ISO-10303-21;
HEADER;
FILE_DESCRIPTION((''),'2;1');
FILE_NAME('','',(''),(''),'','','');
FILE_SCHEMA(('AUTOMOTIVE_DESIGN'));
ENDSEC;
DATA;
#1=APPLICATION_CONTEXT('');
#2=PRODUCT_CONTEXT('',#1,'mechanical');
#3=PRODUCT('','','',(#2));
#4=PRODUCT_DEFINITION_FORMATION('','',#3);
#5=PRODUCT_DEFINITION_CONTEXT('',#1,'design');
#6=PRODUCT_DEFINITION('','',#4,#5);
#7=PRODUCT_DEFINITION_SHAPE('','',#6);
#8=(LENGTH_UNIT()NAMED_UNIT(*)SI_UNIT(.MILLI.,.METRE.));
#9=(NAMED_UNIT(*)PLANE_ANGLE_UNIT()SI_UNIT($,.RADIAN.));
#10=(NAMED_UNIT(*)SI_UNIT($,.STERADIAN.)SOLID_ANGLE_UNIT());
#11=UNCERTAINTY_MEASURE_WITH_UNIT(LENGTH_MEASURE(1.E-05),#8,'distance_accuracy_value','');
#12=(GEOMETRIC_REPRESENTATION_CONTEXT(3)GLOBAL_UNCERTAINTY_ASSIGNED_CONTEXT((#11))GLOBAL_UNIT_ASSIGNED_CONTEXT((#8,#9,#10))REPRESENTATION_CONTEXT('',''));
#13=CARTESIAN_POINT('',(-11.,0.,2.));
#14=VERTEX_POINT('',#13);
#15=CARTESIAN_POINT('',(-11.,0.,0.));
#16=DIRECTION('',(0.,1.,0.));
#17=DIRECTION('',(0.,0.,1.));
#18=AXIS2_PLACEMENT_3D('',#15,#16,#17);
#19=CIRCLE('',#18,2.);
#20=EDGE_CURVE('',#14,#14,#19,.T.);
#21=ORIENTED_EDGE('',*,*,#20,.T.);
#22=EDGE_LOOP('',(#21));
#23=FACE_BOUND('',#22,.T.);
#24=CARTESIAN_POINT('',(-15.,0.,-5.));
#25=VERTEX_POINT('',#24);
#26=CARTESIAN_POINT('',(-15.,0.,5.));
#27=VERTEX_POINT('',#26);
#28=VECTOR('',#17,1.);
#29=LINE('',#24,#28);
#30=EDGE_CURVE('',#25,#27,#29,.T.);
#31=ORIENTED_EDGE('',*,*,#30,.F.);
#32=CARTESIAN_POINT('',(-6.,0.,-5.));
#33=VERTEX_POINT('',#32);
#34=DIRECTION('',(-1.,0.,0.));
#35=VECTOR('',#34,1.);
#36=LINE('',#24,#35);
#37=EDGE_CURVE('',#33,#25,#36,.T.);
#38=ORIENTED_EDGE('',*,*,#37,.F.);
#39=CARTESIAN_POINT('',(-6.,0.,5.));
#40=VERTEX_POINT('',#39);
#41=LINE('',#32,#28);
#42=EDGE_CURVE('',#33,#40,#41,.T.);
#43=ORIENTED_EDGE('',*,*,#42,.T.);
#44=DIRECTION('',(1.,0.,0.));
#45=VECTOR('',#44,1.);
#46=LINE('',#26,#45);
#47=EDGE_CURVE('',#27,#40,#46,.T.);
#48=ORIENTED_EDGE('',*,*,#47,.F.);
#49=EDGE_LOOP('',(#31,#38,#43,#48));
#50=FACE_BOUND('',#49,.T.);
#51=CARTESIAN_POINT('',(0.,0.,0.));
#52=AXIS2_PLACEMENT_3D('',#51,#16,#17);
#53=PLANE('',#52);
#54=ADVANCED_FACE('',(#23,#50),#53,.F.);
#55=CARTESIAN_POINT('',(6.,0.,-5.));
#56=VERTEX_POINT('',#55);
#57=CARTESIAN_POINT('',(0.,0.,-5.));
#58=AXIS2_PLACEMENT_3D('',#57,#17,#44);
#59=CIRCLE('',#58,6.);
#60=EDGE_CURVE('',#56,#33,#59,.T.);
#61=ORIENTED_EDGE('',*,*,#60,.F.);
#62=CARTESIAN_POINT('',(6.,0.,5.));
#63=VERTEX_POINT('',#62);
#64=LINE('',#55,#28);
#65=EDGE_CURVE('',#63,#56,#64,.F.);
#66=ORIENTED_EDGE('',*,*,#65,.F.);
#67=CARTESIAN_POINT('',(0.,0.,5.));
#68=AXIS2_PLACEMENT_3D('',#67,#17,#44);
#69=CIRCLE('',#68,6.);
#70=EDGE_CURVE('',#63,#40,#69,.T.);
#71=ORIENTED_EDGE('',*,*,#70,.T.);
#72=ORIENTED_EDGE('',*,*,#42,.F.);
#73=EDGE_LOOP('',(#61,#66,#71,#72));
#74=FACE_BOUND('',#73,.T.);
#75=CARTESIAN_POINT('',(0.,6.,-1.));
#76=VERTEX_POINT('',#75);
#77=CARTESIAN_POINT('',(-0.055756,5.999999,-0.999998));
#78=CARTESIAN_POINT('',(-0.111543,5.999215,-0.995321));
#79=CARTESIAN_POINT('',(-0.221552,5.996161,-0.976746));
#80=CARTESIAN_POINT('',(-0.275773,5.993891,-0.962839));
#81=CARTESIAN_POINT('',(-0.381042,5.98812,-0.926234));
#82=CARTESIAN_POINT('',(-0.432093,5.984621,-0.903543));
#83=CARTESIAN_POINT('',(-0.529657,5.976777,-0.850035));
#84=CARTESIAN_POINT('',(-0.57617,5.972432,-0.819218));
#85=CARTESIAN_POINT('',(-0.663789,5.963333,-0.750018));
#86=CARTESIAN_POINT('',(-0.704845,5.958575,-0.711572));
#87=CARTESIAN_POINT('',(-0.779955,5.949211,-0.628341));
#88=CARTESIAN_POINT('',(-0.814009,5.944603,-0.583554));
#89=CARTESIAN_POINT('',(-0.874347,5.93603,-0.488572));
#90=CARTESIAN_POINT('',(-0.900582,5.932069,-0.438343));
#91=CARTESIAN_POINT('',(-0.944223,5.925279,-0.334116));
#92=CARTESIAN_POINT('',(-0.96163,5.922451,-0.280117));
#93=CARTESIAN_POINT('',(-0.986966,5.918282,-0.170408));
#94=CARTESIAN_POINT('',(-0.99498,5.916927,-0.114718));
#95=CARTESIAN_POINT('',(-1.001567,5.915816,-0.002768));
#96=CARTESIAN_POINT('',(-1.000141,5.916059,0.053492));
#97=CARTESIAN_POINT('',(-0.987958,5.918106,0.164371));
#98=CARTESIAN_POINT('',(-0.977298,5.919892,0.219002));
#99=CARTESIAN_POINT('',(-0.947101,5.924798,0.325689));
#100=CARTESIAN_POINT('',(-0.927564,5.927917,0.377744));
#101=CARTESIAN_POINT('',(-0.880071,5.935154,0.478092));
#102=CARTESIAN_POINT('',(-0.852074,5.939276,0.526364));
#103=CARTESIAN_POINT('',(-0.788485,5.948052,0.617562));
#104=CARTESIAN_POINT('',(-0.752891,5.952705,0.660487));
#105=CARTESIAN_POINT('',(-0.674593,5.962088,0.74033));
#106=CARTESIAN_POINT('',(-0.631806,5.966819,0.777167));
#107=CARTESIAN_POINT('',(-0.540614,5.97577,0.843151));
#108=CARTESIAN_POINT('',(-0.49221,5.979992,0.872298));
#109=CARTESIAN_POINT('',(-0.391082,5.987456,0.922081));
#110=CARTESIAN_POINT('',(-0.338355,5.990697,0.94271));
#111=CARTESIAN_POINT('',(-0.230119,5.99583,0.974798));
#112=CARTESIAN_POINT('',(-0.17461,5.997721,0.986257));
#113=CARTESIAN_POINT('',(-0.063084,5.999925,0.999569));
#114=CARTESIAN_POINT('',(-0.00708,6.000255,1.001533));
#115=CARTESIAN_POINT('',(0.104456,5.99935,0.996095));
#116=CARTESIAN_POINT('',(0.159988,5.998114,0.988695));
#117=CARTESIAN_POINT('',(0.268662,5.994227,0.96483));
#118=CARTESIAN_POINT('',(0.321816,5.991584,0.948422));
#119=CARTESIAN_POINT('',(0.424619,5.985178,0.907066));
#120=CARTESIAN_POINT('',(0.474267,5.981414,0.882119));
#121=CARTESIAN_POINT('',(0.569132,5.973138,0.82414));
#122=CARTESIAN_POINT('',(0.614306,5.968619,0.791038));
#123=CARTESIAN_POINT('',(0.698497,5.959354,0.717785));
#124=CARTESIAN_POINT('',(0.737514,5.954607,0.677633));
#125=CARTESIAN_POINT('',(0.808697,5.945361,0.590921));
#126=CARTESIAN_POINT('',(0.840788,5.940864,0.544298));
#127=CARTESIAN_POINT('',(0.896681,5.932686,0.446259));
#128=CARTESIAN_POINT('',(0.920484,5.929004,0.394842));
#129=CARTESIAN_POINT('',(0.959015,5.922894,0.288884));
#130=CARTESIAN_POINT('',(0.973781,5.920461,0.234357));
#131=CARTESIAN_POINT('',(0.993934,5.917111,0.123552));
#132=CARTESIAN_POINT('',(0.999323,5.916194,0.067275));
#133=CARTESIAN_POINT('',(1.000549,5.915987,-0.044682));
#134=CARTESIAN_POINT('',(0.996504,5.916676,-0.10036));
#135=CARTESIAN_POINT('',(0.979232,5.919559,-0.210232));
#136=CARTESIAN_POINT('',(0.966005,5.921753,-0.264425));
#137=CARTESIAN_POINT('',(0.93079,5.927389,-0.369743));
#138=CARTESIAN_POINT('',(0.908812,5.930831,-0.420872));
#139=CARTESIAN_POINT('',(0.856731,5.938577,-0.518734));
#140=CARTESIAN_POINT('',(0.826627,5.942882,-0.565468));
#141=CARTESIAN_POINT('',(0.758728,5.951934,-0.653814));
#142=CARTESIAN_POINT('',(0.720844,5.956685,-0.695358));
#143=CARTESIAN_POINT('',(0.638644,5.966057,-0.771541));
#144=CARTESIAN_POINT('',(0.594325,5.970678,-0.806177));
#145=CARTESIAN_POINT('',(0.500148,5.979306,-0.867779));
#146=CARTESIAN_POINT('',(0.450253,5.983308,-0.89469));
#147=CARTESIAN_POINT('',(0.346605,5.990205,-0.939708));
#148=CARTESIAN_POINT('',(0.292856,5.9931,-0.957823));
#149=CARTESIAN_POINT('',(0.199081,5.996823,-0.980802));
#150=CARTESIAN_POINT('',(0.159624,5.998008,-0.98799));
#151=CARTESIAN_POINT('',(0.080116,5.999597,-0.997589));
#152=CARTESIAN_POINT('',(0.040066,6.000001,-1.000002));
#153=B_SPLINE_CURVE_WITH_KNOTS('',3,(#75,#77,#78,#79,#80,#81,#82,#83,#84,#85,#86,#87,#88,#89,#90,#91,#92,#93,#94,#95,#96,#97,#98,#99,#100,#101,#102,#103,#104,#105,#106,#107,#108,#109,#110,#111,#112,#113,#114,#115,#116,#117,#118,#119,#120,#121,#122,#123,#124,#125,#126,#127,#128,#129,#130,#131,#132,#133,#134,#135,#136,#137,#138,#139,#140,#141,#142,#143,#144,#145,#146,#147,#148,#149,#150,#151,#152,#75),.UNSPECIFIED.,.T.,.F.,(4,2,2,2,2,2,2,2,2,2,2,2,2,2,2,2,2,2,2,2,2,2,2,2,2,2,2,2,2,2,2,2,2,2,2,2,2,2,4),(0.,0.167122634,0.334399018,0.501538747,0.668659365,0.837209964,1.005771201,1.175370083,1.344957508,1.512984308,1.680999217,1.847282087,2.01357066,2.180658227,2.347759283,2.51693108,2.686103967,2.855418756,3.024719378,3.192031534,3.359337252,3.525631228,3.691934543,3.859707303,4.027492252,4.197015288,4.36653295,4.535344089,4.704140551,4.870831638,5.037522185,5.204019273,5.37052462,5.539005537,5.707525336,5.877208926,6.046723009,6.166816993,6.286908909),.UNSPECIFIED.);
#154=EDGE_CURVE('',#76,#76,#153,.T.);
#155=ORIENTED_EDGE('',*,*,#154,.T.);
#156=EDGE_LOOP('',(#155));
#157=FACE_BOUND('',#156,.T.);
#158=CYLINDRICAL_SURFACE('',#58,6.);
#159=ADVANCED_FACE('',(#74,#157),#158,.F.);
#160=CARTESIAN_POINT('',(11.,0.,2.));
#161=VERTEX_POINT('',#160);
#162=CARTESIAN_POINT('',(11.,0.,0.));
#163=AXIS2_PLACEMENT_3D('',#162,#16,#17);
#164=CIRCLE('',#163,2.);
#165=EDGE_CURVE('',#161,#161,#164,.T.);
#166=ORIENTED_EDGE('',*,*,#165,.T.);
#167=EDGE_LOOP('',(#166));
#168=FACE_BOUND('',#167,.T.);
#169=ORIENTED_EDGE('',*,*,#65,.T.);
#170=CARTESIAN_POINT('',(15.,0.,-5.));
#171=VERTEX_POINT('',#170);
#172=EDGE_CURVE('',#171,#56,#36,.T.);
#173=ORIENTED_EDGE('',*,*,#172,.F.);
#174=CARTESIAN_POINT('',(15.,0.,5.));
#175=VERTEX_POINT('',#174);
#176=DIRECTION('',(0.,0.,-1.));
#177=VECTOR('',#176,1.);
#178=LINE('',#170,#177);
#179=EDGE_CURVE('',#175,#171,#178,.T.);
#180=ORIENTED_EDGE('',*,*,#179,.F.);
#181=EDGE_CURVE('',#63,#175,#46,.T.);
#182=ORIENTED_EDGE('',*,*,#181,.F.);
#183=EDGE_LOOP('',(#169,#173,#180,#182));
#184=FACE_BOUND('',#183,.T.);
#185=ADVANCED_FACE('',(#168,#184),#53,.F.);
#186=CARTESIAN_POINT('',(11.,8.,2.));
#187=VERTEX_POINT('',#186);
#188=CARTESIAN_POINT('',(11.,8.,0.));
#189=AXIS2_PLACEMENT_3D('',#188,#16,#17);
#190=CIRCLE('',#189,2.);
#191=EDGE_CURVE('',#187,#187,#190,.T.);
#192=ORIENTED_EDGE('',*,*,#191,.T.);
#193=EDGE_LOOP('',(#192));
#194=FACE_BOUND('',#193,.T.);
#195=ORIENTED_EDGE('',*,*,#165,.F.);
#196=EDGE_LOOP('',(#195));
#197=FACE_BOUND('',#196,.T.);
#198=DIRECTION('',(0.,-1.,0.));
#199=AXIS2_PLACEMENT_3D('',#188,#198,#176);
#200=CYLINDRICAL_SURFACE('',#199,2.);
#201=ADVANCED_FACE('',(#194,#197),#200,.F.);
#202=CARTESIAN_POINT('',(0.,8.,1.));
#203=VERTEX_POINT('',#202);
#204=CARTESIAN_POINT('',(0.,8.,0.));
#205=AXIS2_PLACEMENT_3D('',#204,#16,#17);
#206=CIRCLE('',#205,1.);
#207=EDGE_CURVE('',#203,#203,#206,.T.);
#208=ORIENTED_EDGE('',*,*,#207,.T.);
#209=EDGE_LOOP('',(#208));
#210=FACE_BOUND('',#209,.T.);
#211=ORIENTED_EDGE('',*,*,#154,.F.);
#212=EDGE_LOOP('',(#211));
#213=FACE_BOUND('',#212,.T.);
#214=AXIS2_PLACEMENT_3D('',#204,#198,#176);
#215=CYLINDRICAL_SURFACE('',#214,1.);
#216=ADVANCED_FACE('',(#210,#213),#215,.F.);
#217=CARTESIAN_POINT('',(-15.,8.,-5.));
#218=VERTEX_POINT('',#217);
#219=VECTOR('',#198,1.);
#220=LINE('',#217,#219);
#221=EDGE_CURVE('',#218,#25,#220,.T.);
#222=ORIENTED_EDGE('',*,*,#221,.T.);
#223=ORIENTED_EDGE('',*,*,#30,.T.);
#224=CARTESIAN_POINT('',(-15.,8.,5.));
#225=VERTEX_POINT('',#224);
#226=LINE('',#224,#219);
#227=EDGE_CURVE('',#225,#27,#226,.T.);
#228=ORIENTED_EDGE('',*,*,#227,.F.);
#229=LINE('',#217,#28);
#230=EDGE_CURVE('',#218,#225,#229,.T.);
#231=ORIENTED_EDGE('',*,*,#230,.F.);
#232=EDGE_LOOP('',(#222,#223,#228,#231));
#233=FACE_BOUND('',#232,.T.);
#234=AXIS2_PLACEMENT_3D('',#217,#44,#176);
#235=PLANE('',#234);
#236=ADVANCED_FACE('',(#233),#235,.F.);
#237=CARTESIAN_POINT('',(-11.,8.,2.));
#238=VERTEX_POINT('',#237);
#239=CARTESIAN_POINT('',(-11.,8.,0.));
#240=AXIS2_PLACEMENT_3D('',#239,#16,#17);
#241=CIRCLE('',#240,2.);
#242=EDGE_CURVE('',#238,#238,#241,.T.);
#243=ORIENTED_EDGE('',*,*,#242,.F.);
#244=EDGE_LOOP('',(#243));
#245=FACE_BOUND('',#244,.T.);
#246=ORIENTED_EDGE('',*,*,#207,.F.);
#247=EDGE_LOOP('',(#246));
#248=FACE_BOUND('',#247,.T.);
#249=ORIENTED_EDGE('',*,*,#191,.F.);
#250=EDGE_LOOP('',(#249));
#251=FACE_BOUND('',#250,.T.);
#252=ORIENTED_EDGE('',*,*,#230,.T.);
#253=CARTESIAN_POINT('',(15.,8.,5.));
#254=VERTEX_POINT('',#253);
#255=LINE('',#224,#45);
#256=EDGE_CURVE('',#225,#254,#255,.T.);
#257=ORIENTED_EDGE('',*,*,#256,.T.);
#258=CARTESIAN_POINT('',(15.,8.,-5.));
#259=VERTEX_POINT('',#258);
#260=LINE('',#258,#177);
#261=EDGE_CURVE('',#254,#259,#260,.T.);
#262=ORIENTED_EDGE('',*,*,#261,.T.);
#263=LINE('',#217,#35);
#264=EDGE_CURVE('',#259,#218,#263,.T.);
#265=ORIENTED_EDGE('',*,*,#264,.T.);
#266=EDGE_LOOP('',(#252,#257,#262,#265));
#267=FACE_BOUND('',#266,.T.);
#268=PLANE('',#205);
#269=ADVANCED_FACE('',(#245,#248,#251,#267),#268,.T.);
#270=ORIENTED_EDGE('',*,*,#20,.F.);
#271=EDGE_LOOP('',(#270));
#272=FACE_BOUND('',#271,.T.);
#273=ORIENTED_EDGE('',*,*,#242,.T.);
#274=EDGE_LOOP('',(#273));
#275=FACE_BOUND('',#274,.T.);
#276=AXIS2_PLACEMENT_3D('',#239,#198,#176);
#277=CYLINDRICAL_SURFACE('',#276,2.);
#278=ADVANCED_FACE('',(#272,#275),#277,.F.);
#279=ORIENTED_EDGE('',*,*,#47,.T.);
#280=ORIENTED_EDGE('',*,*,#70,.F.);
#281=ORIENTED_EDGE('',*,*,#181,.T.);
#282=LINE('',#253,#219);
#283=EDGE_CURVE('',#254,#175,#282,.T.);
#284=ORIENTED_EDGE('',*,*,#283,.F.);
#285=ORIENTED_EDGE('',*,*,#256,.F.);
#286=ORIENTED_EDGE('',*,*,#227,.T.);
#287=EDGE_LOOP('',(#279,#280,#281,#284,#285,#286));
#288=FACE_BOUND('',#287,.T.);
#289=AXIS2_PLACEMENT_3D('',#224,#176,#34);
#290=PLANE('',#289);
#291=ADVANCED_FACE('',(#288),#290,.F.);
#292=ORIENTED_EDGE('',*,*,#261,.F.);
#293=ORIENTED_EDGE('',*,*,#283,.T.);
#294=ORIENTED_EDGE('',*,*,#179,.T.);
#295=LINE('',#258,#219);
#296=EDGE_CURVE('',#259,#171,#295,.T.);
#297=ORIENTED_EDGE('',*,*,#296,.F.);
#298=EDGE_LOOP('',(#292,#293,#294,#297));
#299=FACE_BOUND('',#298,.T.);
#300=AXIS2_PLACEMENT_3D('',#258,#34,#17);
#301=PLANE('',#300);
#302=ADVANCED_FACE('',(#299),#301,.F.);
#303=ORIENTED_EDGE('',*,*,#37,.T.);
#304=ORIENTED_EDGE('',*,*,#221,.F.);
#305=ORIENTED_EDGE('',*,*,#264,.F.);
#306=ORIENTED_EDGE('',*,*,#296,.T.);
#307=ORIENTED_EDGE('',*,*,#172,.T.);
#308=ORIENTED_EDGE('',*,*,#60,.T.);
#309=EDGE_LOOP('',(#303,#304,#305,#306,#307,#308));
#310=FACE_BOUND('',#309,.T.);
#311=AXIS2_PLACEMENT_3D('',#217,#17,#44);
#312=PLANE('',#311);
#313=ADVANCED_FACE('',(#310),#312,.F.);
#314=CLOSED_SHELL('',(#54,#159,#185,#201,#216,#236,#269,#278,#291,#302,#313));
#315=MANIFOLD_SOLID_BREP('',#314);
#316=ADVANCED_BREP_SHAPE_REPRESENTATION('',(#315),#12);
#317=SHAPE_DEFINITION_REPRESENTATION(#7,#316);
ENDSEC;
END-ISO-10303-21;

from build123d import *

# Parameters (mm, degrees)
SKETCH1_W               = 30
SKETCH1_H               = 10
SKETCH1_R               = 2
SKETCH1_R_2             = 1
BOSS_EXTRUDE1_DEPTH     = 8
SKETCH2_R               = 6
CUT_EXTRUDE1_DEPTH      = 6
CUT_EXTRUDE1_DEPTH_BACK = 6


with BuildPart() as part:
    # Sketch1 → Boss-Extrude1 (new body)
    with BuildSketch(Plane(origin=(0, 0, 0), x_dir=(1, 0, 0), z_dir=(0, 1, 0))):
        Rectangle(SKETCH1_W, SKETCH1_H)
        with Locations((-11, 0)):
            Circle(SKETCH1_R, mode=Mode.SUBTRACT)
        with Locations((11, 0)):
            Circle(SKETCH1_R, mode=Mode.SUBTRACT)
        Circle(SKETCH1_R_2, mode=Mode.SUBTRACT)
    extrude(amount=BOSS_EXTRUDE1_DEPTH)

    # Sketch2 → Cut-Extrude1 (cut, two sides)
    with BuildSketch(Plane.XY) as cut_extrude1_sk:
        Circle(SKETCH2_R)
    extrude(amount=CUT_EXTRUDE1_DEPTH, mode=Mode.SUBTRACT)
    extrude(cut_extrude1_sk.sketch, amount=-CUT_EXTRUDE1_DEPTH_BACK, mode=Mode.SUBTRACT)


solid = part.part
